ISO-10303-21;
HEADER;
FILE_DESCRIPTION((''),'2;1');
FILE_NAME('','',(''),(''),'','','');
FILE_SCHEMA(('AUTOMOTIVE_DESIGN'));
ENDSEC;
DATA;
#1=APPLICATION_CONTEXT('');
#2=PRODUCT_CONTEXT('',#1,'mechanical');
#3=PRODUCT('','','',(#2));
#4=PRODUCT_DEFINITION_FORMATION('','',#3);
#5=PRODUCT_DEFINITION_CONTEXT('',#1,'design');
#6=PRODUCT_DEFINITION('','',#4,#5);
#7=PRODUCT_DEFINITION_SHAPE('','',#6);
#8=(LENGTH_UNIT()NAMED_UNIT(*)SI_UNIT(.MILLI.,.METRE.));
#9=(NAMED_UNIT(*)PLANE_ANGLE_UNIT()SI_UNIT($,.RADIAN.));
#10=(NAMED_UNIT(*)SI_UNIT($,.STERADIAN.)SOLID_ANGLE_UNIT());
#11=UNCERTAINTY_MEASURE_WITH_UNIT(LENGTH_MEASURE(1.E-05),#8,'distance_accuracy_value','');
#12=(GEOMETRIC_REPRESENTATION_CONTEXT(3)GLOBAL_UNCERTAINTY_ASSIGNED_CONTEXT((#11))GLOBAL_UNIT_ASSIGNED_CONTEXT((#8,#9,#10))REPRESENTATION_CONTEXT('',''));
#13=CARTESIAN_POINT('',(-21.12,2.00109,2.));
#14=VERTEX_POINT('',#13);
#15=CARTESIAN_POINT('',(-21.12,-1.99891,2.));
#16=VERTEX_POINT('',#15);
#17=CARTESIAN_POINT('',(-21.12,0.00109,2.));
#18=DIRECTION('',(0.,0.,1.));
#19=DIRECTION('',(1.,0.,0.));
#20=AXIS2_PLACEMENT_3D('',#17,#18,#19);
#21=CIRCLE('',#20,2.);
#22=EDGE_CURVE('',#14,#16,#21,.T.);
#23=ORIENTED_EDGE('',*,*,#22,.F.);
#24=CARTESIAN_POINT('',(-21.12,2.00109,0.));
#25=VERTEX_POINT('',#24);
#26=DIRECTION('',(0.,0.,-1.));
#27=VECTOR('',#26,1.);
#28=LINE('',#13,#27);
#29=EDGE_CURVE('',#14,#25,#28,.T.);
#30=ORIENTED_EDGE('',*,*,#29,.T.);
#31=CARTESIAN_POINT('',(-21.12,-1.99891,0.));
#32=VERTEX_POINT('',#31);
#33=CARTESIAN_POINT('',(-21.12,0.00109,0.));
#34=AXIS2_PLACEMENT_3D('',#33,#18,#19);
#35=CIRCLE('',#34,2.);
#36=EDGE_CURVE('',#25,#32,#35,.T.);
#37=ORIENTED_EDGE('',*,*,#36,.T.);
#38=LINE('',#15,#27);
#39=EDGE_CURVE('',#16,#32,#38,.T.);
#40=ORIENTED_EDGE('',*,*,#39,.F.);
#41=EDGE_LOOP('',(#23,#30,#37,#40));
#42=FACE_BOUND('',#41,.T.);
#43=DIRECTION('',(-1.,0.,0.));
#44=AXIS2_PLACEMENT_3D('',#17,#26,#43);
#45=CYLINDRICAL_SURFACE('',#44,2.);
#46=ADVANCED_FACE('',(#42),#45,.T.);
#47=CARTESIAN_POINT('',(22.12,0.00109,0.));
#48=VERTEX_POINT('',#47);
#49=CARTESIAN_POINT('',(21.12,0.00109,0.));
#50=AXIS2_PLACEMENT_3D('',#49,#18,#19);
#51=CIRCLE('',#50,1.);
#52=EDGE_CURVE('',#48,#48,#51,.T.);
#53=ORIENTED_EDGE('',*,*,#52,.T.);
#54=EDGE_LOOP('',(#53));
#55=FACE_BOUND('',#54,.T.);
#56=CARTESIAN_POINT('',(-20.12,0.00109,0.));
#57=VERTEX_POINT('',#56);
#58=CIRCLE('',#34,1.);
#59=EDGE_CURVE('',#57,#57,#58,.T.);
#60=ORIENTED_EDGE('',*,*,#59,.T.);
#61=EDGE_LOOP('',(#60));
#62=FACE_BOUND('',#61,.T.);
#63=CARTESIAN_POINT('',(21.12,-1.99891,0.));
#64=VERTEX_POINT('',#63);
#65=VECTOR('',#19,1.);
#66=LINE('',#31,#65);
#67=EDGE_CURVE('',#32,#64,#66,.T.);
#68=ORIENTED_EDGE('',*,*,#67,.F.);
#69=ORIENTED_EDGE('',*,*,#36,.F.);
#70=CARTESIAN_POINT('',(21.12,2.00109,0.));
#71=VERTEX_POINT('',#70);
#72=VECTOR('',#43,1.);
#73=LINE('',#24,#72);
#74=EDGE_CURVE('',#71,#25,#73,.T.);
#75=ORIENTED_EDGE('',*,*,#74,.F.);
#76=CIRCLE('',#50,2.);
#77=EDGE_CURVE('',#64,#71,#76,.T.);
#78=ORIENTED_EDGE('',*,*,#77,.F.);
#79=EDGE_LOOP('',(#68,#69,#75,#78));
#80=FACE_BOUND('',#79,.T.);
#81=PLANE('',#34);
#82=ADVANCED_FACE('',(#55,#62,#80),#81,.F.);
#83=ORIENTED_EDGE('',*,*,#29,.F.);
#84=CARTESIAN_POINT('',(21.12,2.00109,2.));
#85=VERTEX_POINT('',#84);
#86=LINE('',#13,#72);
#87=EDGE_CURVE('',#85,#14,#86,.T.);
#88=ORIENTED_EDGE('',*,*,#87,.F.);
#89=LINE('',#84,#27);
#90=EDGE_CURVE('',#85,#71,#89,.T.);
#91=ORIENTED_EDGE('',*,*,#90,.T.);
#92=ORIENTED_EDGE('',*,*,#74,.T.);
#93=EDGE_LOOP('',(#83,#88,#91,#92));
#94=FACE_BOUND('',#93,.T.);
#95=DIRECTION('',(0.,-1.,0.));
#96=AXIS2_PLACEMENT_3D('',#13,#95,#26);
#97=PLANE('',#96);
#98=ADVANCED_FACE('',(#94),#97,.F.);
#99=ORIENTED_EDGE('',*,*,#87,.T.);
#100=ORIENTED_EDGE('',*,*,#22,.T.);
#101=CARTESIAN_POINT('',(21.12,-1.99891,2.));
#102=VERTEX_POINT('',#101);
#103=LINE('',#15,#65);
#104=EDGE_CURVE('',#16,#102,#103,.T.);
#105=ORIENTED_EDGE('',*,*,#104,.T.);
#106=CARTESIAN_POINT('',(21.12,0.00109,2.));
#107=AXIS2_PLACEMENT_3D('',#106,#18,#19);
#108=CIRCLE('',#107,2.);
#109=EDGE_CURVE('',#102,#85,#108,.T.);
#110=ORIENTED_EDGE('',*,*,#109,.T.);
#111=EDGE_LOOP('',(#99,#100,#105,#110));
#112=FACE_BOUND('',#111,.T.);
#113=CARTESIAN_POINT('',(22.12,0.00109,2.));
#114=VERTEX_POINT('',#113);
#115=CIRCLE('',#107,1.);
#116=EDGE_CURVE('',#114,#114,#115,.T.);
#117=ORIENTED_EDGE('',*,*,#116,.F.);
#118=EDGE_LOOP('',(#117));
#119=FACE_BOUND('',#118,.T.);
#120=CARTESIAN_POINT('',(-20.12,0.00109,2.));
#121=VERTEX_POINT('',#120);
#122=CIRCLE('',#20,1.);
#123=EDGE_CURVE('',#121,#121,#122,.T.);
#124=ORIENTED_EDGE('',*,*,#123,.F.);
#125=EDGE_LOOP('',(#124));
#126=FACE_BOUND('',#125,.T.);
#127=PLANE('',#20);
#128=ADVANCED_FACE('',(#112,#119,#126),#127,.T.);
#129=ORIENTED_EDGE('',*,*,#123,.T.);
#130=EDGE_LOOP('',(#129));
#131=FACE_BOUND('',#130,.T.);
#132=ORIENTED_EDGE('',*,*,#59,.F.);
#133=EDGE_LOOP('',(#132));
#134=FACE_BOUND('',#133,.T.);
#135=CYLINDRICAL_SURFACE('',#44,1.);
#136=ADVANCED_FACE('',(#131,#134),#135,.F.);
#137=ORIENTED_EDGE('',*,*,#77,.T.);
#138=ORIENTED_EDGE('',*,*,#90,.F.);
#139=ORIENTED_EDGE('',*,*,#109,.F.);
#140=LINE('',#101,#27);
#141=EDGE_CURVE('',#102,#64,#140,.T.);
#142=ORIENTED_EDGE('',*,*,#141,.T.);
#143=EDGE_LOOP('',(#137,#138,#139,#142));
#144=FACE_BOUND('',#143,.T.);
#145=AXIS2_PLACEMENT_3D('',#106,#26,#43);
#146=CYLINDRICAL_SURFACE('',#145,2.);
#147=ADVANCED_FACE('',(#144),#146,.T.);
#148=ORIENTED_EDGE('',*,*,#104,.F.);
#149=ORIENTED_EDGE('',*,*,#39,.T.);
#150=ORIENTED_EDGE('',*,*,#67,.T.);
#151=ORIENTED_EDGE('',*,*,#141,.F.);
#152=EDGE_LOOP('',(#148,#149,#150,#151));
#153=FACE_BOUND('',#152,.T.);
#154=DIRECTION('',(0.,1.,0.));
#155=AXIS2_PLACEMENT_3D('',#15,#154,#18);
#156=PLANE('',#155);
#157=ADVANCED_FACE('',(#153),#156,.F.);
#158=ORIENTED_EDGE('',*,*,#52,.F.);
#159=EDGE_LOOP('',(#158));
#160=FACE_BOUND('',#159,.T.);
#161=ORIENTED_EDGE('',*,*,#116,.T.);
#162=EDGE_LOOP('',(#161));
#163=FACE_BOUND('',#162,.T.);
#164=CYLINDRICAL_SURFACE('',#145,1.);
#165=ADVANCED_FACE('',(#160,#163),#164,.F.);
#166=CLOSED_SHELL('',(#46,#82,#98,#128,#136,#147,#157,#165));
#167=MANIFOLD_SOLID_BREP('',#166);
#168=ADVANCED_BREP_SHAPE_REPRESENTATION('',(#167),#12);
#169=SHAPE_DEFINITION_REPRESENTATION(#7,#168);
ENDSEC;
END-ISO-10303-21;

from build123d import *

# Parameters (mm, degrees)
SKETCH_1_R      = 1
EXTRUDE_1_DEPTH = 2


with BuildPart() as part:
    # 草圖1 → 填料-伸長1 (new body)
    with BuildSketch(Plane.XY):
        with BuildLine():
            Line((-21.119999972, 2.00108974), (21.120000028, 2.00108974))
            ThreePointArc((21.120000028, 2.00108974), (23.120000028, 0.00108974), (21.120000028, -1.99891026))
            Line((21.120000028, -1.99891026), (-21.119999972, -1.99891026))
            ThreePointArc((-21.119999972, -1.99891026), (-23.119999972, 0.00108974), (-21.119999972, 2.00108974))
        make_face()
        with Locations((-21.119999972, 0.00108974)):
            Circle(SKETCH_1_R, mode=Mode.SUBTRACT)
        with Locations((21.120000028, 0.00108974)):
            Circle(SKETCH_1_R, mode=Mode.SUBTRACT)
    extrude(amount=EXTRUDE_1_DEPTH)


solid = part.part
